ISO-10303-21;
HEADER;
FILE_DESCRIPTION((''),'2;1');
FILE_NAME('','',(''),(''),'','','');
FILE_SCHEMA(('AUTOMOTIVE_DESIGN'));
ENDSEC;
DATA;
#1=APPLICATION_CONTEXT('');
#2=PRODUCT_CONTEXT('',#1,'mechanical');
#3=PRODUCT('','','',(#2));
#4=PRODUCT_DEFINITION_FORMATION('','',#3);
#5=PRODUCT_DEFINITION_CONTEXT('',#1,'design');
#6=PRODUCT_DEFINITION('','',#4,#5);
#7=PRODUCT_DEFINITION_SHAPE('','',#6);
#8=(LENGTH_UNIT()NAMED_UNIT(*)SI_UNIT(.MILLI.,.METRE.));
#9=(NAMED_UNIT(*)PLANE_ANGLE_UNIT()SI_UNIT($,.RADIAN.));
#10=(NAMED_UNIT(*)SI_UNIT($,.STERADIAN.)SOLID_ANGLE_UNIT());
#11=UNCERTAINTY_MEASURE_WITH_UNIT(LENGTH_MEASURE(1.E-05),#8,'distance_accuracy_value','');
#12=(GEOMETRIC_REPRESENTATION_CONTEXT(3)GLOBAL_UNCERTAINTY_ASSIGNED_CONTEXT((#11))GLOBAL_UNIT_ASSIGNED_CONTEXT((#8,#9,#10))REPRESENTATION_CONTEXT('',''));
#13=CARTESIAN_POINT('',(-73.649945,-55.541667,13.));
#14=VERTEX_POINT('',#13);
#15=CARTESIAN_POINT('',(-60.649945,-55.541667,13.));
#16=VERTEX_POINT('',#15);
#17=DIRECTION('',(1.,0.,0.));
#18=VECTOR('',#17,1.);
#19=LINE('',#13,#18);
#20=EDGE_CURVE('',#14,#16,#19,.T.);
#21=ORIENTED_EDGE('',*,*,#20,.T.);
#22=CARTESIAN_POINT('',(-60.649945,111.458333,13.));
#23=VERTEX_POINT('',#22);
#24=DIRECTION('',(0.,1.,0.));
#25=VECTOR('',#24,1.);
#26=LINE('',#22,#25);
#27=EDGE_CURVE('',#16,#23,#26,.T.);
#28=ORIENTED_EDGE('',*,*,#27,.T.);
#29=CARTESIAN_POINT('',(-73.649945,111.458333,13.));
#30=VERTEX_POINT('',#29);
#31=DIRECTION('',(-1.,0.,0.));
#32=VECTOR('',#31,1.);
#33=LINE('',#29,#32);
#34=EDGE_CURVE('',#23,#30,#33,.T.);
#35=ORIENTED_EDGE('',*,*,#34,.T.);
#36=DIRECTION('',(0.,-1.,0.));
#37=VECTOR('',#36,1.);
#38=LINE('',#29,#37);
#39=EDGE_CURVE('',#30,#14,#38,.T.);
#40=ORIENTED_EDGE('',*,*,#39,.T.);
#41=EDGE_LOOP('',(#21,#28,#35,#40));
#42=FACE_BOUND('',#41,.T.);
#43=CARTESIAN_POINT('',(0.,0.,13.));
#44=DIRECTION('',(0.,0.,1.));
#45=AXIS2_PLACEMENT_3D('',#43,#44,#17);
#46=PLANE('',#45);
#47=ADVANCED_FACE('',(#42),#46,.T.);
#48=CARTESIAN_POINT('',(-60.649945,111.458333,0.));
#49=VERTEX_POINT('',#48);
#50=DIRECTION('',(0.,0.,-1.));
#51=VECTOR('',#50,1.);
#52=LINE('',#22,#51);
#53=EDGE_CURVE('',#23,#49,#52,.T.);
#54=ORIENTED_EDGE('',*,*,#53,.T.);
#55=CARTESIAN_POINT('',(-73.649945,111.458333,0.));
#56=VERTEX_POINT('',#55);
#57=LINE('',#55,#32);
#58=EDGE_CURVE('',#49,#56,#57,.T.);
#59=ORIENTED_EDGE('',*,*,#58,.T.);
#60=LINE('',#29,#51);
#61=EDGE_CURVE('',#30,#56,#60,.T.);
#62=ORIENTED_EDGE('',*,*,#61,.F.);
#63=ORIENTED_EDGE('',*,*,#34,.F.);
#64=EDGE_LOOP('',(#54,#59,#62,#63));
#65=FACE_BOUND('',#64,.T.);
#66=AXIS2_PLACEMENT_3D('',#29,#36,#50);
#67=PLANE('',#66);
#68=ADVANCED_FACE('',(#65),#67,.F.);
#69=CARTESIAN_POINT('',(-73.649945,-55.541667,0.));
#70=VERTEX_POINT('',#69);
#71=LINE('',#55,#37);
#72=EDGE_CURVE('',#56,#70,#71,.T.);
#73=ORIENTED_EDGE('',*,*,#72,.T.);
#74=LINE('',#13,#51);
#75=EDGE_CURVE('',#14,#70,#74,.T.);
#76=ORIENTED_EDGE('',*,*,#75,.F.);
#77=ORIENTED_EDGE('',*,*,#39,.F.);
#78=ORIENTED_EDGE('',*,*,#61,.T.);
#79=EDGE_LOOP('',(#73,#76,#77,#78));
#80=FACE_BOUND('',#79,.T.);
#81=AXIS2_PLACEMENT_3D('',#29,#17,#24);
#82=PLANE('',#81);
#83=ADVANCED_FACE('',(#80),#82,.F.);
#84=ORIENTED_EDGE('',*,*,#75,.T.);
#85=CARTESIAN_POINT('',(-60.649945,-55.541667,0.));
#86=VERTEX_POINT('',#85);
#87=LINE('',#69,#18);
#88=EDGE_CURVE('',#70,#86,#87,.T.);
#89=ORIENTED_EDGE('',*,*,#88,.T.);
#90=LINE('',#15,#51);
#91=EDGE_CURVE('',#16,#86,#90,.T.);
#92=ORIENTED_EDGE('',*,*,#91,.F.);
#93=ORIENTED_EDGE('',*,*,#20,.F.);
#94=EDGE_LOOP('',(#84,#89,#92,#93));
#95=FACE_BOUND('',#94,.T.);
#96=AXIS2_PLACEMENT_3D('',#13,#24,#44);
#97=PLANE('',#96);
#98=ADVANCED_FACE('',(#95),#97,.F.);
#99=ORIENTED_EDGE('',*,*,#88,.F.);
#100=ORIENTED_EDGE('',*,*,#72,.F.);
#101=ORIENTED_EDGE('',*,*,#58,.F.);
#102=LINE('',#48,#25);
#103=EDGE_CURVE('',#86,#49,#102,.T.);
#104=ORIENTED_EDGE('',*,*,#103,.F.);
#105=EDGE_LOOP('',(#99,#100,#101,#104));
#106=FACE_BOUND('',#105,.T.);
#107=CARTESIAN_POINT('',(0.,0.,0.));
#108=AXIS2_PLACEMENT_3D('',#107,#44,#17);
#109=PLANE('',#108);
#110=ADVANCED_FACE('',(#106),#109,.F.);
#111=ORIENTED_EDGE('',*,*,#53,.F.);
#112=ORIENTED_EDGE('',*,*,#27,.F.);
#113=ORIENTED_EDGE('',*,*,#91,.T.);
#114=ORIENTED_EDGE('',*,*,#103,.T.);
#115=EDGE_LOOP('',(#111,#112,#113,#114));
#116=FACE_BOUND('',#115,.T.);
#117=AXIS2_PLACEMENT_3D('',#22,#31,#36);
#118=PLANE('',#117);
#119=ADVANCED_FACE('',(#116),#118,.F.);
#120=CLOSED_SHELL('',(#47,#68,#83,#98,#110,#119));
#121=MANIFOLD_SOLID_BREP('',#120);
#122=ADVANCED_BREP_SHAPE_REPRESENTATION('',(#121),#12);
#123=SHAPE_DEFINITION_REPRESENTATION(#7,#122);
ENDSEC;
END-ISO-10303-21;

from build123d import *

# Parameters (mm, degrees)
ESQUISSE1_W        = 13
ESQUISSE1_H        = 167
BOSS_EXTRU_1_DEPTH = 13


with BuildPart() as part:
    # Esquisse1 → Boss.-Extru.1 (new body)
    with BuildSketch(Plane.XY):
        with Locations((-67.149945175, 27.958333333)):
            Rectangle(ESQUISSE1_W, ESQUISSE1_H)
    extrude(amount=BOSS_EXTRU_1_DEPTH)


solid = part.part
